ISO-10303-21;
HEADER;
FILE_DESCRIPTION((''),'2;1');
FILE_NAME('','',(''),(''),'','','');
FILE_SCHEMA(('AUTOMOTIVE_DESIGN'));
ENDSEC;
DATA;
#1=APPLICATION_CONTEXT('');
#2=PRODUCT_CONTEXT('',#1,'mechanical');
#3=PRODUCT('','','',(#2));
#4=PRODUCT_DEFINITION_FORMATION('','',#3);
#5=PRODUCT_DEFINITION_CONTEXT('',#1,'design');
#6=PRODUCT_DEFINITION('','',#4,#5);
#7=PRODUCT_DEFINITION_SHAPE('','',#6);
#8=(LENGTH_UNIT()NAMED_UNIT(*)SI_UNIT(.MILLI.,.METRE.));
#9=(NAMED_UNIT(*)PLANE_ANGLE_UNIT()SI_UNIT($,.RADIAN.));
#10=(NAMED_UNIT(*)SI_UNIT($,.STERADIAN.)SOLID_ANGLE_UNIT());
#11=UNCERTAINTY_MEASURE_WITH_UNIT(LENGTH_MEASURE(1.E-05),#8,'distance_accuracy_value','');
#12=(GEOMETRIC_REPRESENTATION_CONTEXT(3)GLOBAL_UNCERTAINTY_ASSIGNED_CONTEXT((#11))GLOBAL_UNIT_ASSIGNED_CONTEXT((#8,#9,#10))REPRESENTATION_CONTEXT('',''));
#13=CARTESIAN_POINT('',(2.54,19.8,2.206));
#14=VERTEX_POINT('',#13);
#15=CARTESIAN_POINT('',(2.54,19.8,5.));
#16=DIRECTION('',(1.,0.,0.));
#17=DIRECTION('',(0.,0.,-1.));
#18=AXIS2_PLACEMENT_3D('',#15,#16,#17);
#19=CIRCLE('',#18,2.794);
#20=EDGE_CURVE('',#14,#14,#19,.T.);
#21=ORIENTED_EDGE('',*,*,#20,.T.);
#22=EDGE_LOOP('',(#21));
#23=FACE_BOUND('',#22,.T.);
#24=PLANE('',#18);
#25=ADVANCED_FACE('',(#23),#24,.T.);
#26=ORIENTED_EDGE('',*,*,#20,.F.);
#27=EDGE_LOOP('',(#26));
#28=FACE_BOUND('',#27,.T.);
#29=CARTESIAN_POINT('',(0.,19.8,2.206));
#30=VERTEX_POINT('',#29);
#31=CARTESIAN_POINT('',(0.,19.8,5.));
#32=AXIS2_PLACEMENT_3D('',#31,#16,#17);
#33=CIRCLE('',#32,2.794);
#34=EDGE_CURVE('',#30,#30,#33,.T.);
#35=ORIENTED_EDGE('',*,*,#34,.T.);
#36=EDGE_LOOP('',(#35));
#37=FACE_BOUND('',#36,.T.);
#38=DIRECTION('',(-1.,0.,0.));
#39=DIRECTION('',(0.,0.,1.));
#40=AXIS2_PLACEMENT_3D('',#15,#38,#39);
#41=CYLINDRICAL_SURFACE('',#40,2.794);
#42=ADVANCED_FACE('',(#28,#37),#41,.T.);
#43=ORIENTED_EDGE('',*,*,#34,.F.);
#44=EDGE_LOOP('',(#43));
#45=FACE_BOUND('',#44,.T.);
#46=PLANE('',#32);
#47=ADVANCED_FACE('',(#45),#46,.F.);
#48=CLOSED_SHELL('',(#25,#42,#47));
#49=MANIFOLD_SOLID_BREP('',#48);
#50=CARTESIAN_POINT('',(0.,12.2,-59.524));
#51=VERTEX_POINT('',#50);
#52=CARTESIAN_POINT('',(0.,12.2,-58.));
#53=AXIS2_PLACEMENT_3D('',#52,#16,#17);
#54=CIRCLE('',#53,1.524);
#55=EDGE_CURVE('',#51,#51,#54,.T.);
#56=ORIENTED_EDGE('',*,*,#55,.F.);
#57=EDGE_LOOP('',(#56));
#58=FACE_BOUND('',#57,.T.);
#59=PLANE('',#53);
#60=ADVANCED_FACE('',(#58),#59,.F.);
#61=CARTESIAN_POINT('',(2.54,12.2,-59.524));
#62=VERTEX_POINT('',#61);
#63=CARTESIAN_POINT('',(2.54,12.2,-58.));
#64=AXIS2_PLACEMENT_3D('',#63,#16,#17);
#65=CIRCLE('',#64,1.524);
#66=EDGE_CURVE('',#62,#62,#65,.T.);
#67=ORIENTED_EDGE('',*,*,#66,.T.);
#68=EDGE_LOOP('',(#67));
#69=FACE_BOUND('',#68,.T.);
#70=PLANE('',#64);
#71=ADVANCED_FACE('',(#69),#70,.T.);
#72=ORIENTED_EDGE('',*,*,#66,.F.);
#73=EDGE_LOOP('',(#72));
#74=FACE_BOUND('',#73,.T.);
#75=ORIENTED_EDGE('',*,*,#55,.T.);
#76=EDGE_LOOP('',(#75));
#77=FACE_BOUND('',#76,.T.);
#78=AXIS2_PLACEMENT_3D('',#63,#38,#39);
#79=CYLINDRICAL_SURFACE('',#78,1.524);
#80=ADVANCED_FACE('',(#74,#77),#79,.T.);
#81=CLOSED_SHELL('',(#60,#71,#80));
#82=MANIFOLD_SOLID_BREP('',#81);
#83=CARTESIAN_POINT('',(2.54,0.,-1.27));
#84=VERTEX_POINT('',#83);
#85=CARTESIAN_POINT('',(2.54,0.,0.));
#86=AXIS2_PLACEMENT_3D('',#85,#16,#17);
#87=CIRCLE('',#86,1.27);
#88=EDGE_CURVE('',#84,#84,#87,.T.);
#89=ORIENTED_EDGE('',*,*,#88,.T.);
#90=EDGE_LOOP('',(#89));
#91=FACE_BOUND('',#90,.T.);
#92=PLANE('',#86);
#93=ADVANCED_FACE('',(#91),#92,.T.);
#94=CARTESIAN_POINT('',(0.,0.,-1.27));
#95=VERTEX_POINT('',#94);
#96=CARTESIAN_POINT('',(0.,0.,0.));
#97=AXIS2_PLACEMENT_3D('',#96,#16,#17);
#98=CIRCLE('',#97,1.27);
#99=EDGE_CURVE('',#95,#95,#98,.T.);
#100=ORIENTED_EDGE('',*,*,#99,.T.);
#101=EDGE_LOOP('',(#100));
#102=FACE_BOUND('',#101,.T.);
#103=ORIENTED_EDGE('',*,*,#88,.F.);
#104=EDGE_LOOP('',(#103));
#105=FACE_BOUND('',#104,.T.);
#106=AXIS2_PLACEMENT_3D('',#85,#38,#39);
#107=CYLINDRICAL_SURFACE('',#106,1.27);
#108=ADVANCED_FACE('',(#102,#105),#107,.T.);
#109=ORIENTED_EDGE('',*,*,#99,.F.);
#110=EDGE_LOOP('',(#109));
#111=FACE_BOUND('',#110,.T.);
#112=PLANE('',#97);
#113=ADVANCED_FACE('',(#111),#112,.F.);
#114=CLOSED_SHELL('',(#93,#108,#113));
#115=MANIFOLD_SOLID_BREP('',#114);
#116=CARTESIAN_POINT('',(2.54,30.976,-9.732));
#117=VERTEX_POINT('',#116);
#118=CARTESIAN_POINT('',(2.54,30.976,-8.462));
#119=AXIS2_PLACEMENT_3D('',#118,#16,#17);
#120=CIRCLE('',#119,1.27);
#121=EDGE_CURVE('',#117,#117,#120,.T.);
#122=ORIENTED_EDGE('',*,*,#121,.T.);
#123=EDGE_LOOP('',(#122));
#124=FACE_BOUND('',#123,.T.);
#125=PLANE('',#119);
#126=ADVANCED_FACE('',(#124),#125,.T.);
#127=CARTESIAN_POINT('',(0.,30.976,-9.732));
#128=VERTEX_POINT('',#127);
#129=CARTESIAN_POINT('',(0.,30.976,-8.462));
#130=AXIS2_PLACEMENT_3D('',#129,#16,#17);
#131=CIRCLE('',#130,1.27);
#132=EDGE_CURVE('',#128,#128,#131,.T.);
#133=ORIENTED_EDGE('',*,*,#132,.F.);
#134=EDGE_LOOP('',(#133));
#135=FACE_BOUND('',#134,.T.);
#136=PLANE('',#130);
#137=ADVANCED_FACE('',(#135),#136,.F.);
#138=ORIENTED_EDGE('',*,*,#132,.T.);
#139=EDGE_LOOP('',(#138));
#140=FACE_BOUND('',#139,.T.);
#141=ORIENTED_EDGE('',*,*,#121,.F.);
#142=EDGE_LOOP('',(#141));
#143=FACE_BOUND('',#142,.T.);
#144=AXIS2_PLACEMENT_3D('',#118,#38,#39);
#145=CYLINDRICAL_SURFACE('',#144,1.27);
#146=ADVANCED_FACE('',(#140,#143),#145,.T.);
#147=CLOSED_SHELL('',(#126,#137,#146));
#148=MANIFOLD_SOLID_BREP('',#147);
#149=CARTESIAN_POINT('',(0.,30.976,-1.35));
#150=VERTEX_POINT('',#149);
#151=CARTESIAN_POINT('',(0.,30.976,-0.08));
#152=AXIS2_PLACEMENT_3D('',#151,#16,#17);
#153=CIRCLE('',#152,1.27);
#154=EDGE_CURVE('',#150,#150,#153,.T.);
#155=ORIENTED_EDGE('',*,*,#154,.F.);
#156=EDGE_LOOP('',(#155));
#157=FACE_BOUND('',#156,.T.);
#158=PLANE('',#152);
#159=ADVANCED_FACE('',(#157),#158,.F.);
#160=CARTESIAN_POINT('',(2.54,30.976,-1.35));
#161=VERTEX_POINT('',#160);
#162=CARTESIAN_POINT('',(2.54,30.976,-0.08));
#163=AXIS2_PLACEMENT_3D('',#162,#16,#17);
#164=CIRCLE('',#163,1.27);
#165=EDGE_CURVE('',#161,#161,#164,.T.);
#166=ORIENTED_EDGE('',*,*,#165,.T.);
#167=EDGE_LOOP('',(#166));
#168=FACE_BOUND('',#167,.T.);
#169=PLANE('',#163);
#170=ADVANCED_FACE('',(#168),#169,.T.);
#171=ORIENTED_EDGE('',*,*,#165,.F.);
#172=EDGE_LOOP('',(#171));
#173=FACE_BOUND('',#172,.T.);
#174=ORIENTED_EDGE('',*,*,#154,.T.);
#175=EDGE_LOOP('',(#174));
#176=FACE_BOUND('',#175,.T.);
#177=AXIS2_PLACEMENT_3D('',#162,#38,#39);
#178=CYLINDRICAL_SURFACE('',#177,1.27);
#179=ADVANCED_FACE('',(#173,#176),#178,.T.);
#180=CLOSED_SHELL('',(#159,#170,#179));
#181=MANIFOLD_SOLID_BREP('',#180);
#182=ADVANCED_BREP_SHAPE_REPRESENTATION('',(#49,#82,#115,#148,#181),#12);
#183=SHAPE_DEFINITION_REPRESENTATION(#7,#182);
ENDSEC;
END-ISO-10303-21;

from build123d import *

# Parameters (mm, degrees)
SKETCH1_R             = 1.27
BOSS_EXTRUDE1_DEPTH   = 2.54
SKETCH1_R_2           = 2.794
BOSS_EXTRUDE1_2_DEPTH = 2.54
SKETCH1_R_3           = 1.524
BOSS_EXTRUDE1_3_DEPTH = 2.54
BOSS_EXTRUDE1_4_DEPTH = 2.54
BOSS_EXTRUDE1_5_DEPTH = 2.54


with BuildPart() as part:
    # Sketch1 → Boss-Extrude1 (new body)
    with BuildSketch(Plane(origin=(0, 0, 0), x_dir=(0, 0, -1), z_dir=(1, 0, 0))):
        Circle(SKETCH1_R)
    extrude(amount=BOSS_EXTRUDE1_DEPTH)


with BuildPart() as body_2:
    # Sketch1 → Boss-Extrude1 2 (new body)
    with BuildSketch(Plane(origin=(0, 0, 0), x_dir=(0, 0, -1), z_dir=(1, 0, 0))):
        with Locations((-5, 19.8)):
            Circle(SKETCH1_R_2)
    extrude(amount=BOSS_EXTRUDE1_2_DEPTH)


with BuildPart() as body_3:
    # Sketch1 → Boss-Extrude1 3 (new body)
    with BuildSketch(Plane(origin=(0, 0, 0), x_dir=(0, 0, -1), z_dir=(1, 0, 0))):
        with Locations((58, 12.2)):
            Circle(SKETCH1_R_3)
    extrude(amount=BOSS_EXTRUDE1_3_DEPTH)


with BuildPart() as body_4:
    # Sketch1 → Boss-Extrude1 4 (new body)
    with BuildSketch(Plane(origin=(0, 0, 0), x_dir=(0, 0, -1), z_dir=(1, 0, 0))):
        with Locations((0.08, 30.976)):
            Circle(SKETCH1_R)
    extrude(amount=BOSS_EXTRUDE1_4_DEPTH)


with BuildPart() as body_5:
    # Sketch1 → Boss-Extrude1 5 (new body)
    with BuildSketch(Plane(origin=(0, 0, 0), x_dir=(0, 0, -1), z_dir=(1, 0, 0))):
        with Locations((8.462, 30.976)):
            Circle(SKETCH1_R)
    extrude(amount=BOSS_EXTRUDE1_5_DEPTH)


solid = Compound([part.part, body_2.part, body_3.part, body_4.part, body_5.part])
